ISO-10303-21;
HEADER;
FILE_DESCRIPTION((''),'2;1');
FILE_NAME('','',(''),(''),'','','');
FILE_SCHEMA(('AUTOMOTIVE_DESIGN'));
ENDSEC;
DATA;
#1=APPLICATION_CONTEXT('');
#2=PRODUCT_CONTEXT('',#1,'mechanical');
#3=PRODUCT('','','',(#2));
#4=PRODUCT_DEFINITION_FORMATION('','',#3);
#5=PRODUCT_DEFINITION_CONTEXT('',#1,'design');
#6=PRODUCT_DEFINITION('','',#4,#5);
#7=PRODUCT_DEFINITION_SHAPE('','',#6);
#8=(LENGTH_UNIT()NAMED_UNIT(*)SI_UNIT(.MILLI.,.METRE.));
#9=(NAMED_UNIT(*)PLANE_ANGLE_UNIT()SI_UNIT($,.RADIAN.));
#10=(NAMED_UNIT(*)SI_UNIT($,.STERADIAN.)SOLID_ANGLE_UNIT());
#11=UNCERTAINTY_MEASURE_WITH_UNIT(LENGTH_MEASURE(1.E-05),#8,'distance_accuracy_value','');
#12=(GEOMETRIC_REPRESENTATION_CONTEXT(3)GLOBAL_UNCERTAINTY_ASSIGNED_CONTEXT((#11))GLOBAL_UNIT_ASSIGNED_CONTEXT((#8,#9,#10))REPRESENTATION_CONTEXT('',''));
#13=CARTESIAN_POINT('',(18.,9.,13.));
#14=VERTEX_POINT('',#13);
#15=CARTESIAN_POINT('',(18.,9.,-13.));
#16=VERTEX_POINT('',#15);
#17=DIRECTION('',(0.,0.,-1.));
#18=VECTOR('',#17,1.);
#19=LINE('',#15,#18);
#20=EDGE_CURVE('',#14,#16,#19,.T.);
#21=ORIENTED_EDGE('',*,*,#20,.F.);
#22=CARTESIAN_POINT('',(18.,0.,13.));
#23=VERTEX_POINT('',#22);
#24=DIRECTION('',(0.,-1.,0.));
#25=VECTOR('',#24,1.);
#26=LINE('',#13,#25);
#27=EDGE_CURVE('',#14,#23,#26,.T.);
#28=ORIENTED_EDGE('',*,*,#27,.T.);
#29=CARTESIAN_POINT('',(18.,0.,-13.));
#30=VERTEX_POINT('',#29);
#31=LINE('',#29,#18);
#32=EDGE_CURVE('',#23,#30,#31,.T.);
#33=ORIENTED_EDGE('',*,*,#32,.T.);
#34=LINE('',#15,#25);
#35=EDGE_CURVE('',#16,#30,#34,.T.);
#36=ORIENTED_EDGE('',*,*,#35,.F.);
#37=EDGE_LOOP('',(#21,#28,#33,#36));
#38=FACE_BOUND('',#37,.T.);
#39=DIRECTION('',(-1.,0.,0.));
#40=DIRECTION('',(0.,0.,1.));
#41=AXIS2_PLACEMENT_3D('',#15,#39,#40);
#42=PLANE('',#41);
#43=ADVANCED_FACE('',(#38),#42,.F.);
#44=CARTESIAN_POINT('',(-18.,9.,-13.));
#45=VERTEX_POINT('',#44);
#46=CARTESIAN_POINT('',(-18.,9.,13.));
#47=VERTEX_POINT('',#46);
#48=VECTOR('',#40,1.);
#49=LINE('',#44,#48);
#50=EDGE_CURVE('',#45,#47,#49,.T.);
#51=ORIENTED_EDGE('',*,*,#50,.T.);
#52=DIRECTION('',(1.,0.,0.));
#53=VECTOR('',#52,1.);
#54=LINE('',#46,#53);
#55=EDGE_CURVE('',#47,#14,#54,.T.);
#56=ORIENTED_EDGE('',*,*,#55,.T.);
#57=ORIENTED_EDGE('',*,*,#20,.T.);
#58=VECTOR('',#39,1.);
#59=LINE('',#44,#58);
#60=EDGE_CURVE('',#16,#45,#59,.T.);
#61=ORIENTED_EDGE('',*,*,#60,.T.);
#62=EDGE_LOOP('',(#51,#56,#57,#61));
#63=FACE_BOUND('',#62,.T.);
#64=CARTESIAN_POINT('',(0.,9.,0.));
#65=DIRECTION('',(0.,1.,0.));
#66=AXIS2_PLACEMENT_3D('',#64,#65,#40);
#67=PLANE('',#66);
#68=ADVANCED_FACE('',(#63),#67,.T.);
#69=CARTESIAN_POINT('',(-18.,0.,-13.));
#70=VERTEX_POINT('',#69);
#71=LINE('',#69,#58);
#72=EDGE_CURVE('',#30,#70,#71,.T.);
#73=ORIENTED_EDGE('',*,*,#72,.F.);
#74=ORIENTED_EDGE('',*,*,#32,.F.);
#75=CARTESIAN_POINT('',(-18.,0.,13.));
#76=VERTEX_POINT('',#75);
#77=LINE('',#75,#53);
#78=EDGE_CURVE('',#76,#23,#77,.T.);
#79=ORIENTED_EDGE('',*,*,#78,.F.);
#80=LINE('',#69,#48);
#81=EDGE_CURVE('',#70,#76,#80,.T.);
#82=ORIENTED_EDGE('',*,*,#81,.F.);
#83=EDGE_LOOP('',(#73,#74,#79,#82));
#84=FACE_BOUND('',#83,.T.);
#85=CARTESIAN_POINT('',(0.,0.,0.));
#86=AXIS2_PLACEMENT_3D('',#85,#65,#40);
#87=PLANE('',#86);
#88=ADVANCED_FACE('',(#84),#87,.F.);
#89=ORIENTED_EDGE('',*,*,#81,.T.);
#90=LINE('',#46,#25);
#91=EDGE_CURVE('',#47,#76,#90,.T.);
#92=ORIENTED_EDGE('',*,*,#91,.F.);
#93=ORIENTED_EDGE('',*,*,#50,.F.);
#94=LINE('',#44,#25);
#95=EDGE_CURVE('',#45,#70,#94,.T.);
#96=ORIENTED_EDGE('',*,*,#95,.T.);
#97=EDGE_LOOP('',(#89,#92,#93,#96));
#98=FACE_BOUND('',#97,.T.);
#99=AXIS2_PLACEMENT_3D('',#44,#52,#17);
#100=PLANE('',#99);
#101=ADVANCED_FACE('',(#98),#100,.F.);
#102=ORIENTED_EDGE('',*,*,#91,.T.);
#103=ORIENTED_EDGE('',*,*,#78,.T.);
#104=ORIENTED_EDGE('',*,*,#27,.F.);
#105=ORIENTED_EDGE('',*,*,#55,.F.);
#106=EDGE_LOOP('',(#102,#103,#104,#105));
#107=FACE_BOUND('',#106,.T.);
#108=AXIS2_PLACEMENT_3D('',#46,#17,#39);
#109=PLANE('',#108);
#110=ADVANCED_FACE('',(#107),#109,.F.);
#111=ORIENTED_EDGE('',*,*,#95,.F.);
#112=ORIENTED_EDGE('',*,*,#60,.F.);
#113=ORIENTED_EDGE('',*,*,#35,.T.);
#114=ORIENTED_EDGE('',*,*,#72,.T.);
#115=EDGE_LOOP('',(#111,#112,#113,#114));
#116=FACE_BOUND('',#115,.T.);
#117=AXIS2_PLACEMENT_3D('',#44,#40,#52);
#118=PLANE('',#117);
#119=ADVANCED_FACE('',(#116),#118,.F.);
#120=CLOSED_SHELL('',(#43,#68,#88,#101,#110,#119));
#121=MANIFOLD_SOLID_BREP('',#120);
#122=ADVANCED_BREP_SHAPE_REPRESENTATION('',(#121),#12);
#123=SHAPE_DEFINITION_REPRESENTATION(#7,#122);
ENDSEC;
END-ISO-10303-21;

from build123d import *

# Parameters (mm, degrees)
SKETCH_1_W      = 36
SKETCH_1_H      = 26
EXTRUDE_1_DEPTH = 9


with BuildPart() as part:
    # 草图1 → 凸台-拉伸1 (new body)
    with BuildSketch(Plane(origin=(0, 0, 0), x_dir=(1, 0, 0), z_dir=(0, 1, 0))):
        Rectangle(SKETCH_1_W, SKETCH_1_H)
    extrude(amount=EXTRUDE_1_DEPTH)


solid = part.part
